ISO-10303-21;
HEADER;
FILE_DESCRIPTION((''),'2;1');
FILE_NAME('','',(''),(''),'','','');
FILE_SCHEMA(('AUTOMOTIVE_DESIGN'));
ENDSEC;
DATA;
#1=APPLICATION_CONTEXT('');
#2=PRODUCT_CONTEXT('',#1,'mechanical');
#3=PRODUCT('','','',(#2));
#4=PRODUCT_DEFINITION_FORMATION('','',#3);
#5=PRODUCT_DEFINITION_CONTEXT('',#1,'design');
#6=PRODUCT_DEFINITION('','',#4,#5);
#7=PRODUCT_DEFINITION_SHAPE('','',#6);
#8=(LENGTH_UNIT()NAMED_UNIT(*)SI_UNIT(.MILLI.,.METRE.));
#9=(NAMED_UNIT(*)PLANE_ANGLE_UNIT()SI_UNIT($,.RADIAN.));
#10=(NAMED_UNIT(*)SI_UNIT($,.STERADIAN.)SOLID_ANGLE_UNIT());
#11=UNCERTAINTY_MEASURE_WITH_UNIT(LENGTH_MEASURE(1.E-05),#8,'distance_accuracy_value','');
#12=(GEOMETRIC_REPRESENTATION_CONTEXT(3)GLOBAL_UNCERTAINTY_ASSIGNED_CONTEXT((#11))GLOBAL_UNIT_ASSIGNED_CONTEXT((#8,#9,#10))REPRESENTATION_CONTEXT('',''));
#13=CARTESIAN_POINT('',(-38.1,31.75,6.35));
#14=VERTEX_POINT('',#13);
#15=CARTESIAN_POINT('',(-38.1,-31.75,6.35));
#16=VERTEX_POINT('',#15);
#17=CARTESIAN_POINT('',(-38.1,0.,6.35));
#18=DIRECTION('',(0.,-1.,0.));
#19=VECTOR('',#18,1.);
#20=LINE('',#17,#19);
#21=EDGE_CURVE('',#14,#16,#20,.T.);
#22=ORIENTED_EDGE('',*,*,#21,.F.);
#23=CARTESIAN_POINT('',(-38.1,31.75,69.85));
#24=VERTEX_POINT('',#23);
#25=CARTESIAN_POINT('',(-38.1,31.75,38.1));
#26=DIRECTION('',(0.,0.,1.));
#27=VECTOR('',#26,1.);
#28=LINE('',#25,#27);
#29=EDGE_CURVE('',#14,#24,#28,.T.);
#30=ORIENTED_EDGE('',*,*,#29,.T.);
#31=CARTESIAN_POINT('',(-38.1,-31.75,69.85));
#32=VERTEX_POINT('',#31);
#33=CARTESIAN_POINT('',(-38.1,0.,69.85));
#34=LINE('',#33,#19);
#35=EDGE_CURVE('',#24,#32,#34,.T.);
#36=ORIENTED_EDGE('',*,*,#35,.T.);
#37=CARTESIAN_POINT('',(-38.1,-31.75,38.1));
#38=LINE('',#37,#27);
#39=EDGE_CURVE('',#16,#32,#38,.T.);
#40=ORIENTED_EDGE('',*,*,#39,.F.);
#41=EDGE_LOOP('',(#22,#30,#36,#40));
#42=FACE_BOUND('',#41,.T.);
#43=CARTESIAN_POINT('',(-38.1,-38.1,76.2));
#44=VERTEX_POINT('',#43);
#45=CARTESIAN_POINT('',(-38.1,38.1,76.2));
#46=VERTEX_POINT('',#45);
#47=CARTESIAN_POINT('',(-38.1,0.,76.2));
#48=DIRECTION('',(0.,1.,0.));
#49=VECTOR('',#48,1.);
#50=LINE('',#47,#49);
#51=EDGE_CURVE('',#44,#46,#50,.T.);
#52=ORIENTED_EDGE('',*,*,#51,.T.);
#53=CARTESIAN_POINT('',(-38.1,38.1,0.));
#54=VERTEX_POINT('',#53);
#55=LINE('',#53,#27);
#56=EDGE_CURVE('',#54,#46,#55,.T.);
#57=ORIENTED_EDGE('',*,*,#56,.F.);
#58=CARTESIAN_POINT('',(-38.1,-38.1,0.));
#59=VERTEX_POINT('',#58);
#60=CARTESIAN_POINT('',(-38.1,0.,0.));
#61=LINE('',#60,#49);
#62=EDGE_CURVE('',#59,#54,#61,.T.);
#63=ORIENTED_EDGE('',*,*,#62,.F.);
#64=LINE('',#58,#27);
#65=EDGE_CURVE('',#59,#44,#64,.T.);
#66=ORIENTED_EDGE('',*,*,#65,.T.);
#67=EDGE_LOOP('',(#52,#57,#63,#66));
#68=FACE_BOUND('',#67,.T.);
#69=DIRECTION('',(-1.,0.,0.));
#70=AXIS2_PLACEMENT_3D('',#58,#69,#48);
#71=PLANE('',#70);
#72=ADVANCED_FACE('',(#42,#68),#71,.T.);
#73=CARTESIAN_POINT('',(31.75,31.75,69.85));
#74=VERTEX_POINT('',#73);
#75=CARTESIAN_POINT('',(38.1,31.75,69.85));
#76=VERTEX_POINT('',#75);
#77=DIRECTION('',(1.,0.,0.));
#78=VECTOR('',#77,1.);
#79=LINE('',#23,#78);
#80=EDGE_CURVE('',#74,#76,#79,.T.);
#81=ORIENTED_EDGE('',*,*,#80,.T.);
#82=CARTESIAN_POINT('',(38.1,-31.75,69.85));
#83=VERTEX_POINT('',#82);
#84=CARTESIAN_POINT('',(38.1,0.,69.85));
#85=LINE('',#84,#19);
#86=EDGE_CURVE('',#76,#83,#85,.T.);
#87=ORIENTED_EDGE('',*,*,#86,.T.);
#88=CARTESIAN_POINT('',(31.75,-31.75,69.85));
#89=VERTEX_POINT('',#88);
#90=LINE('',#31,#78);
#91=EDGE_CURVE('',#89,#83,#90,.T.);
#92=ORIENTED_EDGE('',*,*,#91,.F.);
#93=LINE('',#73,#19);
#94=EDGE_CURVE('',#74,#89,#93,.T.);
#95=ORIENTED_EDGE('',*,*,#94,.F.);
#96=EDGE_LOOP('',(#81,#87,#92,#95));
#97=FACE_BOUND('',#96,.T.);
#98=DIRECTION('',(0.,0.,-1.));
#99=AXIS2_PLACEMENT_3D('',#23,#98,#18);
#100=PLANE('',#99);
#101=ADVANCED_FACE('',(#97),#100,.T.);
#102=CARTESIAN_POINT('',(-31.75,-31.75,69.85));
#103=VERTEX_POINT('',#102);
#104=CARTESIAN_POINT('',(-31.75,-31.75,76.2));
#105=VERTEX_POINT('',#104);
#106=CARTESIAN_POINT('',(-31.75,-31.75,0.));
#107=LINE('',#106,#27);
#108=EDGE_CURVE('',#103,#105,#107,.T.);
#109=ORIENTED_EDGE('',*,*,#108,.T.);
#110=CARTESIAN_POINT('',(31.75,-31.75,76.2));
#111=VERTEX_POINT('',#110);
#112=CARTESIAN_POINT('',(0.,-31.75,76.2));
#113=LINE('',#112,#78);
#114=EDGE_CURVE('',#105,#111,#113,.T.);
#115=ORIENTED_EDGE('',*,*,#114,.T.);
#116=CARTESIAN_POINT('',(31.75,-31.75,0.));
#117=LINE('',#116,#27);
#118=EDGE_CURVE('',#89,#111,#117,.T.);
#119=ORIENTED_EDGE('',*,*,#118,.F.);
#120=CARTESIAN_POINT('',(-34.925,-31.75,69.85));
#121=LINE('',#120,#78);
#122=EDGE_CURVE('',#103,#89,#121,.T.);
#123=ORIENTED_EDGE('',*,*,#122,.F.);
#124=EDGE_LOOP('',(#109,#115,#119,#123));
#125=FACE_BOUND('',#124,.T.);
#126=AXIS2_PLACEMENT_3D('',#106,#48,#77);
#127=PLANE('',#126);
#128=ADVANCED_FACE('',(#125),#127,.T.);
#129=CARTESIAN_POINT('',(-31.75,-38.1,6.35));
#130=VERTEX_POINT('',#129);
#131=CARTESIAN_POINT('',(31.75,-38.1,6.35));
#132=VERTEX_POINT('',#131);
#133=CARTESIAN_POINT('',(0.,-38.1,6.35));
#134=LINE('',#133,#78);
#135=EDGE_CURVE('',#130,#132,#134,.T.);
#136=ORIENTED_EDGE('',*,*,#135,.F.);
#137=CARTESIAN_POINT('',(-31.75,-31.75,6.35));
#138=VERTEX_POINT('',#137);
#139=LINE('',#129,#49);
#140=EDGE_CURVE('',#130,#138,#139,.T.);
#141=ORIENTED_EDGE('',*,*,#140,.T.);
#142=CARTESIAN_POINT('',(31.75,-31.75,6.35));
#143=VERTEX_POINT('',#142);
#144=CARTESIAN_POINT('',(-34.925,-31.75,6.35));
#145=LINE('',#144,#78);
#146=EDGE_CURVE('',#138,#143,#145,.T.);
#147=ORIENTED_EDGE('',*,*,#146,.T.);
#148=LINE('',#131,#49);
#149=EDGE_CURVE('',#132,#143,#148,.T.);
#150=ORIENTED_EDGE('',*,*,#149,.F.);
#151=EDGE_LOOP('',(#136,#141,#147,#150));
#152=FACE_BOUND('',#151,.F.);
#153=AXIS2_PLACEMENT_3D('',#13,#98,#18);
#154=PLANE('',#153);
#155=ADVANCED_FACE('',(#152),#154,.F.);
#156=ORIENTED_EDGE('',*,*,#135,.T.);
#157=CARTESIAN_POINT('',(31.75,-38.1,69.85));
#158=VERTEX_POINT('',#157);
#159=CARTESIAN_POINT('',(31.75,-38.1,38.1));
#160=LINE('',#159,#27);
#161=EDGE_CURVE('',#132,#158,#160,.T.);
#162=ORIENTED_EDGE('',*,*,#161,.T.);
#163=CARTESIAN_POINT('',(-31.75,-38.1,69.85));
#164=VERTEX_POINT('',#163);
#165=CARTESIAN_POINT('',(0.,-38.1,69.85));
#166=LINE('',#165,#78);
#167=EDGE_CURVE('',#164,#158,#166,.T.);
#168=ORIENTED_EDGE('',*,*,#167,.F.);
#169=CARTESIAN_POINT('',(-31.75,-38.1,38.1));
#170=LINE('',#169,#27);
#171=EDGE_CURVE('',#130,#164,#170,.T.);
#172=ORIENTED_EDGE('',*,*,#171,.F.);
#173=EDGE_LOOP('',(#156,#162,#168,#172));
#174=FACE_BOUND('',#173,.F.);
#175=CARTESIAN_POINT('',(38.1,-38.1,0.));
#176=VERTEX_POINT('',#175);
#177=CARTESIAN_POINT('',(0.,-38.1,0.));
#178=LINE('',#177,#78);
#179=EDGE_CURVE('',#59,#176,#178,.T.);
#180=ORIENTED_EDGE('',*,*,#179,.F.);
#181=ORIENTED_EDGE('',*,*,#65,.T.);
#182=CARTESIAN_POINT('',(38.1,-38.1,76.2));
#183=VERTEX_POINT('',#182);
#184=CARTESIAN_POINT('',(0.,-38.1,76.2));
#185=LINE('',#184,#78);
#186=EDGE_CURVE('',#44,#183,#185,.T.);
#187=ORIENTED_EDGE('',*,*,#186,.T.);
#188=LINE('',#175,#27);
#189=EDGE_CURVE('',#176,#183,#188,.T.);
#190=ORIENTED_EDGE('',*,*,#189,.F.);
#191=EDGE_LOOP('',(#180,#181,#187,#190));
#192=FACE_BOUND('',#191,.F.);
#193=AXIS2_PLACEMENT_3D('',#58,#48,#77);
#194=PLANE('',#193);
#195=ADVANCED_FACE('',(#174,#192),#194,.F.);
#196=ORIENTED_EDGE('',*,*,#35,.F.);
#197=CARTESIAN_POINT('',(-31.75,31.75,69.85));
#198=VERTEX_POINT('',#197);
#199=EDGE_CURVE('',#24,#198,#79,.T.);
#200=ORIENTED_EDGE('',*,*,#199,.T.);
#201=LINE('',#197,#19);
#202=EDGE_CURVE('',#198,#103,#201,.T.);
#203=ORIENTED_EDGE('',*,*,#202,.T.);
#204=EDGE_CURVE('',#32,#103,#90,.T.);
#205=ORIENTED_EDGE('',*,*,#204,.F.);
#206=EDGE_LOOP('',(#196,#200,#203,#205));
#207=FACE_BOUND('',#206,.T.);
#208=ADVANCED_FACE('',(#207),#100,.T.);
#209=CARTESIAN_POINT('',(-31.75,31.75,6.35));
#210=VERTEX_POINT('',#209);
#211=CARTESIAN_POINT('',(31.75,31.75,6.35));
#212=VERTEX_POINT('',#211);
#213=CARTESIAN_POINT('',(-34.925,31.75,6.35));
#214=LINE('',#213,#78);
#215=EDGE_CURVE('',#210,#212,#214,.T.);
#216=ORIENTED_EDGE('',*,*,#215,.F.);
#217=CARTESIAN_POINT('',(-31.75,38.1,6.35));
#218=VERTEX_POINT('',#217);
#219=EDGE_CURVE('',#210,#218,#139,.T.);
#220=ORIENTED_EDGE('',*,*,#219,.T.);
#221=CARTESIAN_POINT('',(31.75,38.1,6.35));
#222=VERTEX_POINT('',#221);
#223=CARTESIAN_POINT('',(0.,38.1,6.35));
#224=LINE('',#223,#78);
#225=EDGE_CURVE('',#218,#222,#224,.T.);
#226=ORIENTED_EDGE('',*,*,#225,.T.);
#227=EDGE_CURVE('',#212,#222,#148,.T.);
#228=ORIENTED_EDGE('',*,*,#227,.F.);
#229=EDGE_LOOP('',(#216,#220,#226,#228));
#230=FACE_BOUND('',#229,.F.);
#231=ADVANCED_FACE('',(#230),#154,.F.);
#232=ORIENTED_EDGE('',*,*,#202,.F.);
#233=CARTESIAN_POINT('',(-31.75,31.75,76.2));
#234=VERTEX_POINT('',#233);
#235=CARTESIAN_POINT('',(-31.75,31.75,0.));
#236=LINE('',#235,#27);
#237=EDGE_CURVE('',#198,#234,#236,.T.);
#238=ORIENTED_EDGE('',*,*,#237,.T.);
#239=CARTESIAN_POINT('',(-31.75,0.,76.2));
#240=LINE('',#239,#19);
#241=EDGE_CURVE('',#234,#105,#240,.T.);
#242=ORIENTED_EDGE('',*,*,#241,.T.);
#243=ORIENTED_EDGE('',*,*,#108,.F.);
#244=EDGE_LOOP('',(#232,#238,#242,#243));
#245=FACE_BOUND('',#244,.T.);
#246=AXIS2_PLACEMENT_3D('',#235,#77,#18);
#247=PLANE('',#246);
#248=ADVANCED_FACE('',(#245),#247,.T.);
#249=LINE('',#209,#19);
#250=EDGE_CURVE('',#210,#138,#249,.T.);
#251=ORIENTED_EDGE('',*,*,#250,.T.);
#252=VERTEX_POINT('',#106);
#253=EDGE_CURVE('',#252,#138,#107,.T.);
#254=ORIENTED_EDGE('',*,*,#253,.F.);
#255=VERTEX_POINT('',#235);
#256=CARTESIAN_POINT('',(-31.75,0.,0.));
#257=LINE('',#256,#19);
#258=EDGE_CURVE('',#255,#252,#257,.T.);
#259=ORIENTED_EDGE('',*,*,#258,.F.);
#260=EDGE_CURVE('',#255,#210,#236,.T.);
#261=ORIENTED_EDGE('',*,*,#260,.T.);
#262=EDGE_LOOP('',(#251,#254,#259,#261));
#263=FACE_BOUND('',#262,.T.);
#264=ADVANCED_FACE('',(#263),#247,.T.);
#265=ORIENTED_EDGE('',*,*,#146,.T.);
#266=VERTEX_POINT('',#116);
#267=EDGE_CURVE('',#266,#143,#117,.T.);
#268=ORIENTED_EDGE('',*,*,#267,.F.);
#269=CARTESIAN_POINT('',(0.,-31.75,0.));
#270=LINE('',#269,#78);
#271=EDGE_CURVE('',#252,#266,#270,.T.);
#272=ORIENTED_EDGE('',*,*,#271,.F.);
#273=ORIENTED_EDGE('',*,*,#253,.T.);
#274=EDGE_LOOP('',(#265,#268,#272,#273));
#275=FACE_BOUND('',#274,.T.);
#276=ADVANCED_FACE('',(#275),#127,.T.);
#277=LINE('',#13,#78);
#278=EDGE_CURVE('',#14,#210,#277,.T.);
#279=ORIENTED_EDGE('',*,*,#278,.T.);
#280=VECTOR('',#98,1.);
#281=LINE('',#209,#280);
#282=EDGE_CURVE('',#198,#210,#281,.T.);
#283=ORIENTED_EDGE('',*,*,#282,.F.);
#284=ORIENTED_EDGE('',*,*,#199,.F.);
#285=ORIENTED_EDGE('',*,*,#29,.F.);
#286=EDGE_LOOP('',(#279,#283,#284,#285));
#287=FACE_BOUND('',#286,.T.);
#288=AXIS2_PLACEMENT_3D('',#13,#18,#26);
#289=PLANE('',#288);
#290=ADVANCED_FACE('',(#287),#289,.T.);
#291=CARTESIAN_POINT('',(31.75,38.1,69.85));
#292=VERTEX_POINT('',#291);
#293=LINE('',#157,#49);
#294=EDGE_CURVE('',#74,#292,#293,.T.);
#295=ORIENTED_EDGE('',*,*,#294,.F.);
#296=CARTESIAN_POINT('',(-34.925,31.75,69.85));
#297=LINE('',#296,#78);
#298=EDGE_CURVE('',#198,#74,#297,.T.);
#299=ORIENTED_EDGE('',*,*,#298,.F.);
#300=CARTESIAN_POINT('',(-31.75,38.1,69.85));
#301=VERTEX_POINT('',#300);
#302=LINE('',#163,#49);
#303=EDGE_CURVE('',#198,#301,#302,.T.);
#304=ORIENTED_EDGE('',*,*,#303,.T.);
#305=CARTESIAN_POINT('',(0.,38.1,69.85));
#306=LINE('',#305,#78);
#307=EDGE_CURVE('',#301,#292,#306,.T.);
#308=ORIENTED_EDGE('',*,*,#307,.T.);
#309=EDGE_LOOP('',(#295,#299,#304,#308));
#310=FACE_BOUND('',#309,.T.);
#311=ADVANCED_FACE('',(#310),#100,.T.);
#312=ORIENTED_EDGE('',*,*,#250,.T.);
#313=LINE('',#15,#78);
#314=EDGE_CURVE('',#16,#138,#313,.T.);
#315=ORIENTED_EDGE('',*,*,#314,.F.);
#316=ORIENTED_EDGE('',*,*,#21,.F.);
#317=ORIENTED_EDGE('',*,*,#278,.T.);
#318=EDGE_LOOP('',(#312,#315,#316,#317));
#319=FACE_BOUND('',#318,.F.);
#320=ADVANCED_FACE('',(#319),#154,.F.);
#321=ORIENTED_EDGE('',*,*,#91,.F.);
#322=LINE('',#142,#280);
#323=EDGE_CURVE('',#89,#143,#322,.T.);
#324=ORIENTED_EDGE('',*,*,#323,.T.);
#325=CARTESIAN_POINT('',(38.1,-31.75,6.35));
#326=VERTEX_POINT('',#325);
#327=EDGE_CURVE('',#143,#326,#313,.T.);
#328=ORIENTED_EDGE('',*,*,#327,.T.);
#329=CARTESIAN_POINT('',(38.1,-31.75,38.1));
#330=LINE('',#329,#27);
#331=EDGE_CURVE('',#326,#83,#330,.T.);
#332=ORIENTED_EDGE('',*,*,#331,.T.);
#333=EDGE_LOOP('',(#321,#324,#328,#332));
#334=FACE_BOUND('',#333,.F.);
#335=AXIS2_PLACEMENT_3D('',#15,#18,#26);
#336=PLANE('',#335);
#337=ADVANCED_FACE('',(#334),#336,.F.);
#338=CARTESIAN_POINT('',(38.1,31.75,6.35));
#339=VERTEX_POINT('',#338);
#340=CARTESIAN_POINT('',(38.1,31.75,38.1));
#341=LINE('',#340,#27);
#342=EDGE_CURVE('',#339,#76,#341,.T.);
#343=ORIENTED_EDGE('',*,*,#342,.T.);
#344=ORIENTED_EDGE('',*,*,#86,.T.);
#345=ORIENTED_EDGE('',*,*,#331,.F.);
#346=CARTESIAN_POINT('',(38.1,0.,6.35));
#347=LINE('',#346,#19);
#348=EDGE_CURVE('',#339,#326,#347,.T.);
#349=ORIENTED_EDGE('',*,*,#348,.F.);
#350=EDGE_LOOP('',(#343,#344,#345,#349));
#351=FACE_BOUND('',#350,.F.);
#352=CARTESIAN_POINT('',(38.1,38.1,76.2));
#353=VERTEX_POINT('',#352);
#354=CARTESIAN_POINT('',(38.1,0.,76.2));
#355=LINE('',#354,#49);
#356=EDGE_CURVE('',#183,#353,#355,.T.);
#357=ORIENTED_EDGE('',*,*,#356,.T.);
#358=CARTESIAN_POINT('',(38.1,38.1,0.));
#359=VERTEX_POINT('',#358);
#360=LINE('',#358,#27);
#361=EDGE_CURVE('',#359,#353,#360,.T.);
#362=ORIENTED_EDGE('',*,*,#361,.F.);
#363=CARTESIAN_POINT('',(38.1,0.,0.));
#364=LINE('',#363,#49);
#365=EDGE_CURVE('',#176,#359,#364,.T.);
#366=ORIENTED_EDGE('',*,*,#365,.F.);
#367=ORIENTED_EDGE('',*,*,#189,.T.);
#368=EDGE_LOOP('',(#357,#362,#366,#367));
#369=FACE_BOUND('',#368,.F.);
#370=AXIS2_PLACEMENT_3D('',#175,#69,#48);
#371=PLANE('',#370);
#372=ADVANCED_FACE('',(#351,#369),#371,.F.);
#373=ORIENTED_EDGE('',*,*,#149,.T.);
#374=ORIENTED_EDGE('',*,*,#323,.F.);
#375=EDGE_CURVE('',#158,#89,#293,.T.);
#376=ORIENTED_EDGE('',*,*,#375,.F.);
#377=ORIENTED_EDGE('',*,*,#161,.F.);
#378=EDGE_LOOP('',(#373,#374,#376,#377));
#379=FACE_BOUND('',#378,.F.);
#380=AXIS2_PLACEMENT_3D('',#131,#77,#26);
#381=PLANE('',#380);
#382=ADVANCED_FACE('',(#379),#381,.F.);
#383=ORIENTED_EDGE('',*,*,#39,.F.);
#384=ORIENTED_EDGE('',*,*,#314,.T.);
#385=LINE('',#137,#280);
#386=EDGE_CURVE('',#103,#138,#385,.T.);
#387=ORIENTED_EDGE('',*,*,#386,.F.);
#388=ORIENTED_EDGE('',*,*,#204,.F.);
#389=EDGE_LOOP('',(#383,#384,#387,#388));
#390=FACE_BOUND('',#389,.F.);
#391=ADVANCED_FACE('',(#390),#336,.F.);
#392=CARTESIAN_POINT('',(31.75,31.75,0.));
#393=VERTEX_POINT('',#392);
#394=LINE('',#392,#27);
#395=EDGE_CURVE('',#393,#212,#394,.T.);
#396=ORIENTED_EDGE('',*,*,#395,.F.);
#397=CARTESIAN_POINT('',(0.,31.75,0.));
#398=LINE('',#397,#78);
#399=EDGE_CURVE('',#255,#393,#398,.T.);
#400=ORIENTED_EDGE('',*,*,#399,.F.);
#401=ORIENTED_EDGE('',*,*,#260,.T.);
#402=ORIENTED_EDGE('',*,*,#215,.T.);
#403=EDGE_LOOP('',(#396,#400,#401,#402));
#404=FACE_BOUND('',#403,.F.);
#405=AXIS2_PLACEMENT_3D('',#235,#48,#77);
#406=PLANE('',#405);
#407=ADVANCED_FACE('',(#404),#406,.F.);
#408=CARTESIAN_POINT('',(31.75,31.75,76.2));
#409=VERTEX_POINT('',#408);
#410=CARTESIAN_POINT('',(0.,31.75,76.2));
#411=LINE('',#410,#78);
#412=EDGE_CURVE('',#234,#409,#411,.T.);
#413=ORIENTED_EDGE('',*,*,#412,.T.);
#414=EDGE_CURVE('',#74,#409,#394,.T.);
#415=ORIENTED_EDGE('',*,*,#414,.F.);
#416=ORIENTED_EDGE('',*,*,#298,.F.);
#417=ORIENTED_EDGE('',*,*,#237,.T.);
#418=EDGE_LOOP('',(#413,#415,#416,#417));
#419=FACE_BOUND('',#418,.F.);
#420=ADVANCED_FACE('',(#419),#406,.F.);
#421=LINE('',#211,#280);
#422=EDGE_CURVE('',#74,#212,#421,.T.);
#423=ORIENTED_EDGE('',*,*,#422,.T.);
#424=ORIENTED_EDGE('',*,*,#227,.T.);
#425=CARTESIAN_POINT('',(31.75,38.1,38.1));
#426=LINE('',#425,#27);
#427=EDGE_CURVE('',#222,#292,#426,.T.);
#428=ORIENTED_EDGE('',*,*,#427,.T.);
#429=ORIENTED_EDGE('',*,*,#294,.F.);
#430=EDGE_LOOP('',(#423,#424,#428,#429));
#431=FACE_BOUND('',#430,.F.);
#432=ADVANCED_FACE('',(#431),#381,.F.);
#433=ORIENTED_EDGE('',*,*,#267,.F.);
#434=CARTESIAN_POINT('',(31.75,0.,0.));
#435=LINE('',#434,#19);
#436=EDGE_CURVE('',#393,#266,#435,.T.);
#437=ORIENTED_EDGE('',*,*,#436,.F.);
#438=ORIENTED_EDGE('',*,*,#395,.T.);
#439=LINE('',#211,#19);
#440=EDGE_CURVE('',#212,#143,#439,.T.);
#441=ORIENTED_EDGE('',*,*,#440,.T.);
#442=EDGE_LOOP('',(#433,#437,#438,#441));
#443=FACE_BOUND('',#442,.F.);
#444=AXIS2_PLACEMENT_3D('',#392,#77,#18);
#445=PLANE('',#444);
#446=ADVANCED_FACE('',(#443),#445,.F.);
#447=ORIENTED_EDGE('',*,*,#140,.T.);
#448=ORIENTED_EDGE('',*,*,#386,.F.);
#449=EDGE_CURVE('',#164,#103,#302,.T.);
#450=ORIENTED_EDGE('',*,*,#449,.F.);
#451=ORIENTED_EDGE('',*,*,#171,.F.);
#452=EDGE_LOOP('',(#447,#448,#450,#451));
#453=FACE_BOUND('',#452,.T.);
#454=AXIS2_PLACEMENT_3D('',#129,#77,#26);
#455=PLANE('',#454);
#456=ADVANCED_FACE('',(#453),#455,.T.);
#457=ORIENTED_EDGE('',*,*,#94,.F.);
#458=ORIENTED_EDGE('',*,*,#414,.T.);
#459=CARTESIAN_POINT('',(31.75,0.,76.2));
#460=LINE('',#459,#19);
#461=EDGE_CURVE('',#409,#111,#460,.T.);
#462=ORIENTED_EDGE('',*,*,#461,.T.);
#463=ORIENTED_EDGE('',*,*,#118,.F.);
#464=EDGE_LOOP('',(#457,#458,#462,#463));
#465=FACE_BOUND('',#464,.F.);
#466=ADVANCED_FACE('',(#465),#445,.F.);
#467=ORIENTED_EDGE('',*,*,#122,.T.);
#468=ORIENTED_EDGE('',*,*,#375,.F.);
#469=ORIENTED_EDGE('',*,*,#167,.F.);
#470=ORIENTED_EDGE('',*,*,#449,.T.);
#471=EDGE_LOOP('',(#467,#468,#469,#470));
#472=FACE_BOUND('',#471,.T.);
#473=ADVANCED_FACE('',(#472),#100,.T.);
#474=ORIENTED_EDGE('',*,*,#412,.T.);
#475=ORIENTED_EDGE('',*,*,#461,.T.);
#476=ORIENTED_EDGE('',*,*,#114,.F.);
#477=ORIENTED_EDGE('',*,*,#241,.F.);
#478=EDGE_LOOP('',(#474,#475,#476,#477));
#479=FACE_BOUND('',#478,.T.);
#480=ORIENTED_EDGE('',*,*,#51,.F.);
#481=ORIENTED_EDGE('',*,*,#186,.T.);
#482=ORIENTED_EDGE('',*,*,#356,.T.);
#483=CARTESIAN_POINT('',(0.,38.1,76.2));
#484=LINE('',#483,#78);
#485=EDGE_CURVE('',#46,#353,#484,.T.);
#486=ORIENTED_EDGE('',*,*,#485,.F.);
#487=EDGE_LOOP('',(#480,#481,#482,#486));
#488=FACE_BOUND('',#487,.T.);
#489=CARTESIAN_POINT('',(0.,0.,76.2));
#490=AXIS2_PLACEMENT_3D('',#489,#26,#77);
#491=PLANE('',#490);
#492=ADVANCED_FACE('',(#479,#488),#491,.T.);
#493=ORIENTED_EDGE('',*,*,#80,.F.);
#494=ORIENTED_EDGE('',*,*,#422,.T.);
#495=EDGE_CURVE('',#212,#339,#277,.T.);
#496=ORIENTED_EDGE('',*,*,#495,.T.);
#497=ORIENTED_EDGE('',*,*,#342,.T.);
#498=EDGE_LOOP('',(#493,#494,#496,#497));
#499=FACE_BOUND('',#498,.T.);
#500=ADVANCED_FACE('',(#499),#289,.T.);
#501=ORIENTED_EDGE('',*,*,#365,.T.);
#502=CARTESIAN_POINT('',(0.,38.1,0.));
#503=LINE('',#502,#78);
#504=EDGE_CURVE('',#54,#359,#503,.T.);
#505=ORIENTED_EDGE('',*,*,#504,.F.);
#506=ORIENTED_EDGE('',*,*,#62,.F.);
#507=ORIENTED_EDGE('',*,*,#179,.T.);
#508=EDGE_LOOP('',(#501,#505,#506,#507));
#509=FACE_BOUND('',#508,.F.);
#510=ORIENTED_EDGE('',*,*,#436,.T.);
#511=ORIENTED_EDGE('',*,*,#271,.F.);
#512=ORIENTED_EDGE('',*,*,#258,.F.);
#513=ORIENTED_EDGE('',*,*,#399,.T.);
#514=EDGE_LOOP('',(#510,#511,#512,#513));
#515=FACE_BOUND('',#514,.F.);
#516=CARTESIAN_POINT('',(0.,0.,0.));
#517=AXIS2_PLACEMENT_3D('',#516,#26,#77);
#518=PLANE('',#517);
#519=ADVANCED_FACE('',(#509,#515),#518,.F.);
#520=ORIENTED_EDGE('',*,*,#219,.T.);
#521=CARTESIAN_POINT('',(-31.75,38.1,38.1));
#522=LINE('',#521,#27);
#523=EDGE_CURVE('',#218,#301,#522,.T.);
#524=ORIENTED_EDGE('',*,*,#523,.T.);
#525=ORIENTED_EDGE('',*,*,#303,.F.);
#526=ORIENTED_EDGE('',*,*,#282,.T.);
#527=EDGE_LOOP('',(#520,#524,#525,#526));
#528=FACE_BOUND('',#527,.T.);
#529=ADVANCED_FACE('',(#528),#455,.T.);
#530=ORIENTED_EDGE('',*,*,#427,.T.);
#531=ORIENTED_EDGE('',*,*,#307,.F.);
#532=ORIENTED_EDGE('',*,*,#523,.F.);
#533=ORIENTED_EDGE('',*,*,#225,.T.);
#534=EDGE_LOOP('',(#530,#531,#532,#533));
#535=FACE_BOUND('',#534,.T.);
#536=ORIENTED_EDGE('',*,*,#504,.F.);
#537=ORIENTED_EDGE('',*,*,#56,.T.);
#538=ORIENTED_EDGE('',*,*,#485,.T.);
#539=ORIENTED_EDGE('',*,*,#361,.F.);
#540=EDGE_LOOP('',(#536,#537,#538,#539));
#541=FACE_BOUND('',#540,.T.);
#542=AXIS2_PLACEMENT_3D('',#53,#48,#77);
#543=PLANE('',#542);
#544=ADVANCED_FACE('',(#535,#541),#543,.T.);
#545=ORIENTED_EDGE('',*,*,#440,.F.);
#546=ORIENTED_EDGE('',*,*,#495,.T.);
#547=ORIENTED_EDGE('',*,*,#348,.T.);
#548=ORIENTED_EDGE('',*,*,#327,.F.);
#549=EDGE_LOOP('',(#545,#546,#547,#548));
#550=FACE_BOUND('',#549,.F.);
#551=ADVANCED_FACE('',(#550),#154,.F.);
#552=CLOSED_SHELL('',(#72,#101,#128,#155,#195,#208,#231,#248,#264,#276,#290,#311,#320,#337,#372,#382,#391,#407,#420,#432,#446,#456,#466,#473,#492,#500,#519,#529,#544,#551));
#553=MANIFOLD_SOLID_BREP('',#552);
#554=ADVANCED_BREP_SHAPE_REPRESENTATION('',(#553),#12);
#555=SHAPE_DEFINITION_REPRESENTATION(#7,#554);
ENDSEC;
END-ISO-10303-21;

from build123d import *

# Parameters (mm, degrees)
F0_W     = 76.2
F0_H     = 76.2
F1_DEPTH = 76.2
F2_W     = 63.5
F2_H     = 63.5
F3_DEPTH = 76.2
F4_W     = 63.5
F4_H     = 63.5
F5_DEPTH = 76.2
F6_W     = 63.5
F6_H     = 63.5
F7_DEPTH = 76.2


with BuildPart() as f1:
    # F0 (on Top) → F1 (new body)
    with BuildSketch(Plane.XY):
        Rectangle(F0_W, F0_H)
    extrude(amount=F1_DEPTH)

    # F2 (on face) → F3 (cut)
    with BuildSketch(Plane.XZ.offset(38.1)):
        with Locations((0, 38.1)):
            Rectangle(F2_W, F2_H)
    extrude(amount=-F3_DEPTH, mode=Mode.SUBTRACT)

    # F4 (on face) → F5 (cut)
    with BuildSketch(Plane(origin=(-38.1, 0, 0), x_dir=(0, -1, 0), z_dir=(-1, 0, 0))):
        with Locations((0, 38.1)):
            Rectangle(F4_W, F4_H)
    extrude(amount=-F5_DEPTH, mode=Mode.SUBTRACT)

    # F6 (on face) → F7 (cut)
    with BuildSketch(Plane(origin=(0, 0, 0), x_dir=(1, 0, 0), z_dir=(0, 0, -1))):
        Rectangle(F6_W, F6_H)
    extrude(amount=-F7_DEPTH, mode=Mode.SUBTRACT)


solid = f1.part
